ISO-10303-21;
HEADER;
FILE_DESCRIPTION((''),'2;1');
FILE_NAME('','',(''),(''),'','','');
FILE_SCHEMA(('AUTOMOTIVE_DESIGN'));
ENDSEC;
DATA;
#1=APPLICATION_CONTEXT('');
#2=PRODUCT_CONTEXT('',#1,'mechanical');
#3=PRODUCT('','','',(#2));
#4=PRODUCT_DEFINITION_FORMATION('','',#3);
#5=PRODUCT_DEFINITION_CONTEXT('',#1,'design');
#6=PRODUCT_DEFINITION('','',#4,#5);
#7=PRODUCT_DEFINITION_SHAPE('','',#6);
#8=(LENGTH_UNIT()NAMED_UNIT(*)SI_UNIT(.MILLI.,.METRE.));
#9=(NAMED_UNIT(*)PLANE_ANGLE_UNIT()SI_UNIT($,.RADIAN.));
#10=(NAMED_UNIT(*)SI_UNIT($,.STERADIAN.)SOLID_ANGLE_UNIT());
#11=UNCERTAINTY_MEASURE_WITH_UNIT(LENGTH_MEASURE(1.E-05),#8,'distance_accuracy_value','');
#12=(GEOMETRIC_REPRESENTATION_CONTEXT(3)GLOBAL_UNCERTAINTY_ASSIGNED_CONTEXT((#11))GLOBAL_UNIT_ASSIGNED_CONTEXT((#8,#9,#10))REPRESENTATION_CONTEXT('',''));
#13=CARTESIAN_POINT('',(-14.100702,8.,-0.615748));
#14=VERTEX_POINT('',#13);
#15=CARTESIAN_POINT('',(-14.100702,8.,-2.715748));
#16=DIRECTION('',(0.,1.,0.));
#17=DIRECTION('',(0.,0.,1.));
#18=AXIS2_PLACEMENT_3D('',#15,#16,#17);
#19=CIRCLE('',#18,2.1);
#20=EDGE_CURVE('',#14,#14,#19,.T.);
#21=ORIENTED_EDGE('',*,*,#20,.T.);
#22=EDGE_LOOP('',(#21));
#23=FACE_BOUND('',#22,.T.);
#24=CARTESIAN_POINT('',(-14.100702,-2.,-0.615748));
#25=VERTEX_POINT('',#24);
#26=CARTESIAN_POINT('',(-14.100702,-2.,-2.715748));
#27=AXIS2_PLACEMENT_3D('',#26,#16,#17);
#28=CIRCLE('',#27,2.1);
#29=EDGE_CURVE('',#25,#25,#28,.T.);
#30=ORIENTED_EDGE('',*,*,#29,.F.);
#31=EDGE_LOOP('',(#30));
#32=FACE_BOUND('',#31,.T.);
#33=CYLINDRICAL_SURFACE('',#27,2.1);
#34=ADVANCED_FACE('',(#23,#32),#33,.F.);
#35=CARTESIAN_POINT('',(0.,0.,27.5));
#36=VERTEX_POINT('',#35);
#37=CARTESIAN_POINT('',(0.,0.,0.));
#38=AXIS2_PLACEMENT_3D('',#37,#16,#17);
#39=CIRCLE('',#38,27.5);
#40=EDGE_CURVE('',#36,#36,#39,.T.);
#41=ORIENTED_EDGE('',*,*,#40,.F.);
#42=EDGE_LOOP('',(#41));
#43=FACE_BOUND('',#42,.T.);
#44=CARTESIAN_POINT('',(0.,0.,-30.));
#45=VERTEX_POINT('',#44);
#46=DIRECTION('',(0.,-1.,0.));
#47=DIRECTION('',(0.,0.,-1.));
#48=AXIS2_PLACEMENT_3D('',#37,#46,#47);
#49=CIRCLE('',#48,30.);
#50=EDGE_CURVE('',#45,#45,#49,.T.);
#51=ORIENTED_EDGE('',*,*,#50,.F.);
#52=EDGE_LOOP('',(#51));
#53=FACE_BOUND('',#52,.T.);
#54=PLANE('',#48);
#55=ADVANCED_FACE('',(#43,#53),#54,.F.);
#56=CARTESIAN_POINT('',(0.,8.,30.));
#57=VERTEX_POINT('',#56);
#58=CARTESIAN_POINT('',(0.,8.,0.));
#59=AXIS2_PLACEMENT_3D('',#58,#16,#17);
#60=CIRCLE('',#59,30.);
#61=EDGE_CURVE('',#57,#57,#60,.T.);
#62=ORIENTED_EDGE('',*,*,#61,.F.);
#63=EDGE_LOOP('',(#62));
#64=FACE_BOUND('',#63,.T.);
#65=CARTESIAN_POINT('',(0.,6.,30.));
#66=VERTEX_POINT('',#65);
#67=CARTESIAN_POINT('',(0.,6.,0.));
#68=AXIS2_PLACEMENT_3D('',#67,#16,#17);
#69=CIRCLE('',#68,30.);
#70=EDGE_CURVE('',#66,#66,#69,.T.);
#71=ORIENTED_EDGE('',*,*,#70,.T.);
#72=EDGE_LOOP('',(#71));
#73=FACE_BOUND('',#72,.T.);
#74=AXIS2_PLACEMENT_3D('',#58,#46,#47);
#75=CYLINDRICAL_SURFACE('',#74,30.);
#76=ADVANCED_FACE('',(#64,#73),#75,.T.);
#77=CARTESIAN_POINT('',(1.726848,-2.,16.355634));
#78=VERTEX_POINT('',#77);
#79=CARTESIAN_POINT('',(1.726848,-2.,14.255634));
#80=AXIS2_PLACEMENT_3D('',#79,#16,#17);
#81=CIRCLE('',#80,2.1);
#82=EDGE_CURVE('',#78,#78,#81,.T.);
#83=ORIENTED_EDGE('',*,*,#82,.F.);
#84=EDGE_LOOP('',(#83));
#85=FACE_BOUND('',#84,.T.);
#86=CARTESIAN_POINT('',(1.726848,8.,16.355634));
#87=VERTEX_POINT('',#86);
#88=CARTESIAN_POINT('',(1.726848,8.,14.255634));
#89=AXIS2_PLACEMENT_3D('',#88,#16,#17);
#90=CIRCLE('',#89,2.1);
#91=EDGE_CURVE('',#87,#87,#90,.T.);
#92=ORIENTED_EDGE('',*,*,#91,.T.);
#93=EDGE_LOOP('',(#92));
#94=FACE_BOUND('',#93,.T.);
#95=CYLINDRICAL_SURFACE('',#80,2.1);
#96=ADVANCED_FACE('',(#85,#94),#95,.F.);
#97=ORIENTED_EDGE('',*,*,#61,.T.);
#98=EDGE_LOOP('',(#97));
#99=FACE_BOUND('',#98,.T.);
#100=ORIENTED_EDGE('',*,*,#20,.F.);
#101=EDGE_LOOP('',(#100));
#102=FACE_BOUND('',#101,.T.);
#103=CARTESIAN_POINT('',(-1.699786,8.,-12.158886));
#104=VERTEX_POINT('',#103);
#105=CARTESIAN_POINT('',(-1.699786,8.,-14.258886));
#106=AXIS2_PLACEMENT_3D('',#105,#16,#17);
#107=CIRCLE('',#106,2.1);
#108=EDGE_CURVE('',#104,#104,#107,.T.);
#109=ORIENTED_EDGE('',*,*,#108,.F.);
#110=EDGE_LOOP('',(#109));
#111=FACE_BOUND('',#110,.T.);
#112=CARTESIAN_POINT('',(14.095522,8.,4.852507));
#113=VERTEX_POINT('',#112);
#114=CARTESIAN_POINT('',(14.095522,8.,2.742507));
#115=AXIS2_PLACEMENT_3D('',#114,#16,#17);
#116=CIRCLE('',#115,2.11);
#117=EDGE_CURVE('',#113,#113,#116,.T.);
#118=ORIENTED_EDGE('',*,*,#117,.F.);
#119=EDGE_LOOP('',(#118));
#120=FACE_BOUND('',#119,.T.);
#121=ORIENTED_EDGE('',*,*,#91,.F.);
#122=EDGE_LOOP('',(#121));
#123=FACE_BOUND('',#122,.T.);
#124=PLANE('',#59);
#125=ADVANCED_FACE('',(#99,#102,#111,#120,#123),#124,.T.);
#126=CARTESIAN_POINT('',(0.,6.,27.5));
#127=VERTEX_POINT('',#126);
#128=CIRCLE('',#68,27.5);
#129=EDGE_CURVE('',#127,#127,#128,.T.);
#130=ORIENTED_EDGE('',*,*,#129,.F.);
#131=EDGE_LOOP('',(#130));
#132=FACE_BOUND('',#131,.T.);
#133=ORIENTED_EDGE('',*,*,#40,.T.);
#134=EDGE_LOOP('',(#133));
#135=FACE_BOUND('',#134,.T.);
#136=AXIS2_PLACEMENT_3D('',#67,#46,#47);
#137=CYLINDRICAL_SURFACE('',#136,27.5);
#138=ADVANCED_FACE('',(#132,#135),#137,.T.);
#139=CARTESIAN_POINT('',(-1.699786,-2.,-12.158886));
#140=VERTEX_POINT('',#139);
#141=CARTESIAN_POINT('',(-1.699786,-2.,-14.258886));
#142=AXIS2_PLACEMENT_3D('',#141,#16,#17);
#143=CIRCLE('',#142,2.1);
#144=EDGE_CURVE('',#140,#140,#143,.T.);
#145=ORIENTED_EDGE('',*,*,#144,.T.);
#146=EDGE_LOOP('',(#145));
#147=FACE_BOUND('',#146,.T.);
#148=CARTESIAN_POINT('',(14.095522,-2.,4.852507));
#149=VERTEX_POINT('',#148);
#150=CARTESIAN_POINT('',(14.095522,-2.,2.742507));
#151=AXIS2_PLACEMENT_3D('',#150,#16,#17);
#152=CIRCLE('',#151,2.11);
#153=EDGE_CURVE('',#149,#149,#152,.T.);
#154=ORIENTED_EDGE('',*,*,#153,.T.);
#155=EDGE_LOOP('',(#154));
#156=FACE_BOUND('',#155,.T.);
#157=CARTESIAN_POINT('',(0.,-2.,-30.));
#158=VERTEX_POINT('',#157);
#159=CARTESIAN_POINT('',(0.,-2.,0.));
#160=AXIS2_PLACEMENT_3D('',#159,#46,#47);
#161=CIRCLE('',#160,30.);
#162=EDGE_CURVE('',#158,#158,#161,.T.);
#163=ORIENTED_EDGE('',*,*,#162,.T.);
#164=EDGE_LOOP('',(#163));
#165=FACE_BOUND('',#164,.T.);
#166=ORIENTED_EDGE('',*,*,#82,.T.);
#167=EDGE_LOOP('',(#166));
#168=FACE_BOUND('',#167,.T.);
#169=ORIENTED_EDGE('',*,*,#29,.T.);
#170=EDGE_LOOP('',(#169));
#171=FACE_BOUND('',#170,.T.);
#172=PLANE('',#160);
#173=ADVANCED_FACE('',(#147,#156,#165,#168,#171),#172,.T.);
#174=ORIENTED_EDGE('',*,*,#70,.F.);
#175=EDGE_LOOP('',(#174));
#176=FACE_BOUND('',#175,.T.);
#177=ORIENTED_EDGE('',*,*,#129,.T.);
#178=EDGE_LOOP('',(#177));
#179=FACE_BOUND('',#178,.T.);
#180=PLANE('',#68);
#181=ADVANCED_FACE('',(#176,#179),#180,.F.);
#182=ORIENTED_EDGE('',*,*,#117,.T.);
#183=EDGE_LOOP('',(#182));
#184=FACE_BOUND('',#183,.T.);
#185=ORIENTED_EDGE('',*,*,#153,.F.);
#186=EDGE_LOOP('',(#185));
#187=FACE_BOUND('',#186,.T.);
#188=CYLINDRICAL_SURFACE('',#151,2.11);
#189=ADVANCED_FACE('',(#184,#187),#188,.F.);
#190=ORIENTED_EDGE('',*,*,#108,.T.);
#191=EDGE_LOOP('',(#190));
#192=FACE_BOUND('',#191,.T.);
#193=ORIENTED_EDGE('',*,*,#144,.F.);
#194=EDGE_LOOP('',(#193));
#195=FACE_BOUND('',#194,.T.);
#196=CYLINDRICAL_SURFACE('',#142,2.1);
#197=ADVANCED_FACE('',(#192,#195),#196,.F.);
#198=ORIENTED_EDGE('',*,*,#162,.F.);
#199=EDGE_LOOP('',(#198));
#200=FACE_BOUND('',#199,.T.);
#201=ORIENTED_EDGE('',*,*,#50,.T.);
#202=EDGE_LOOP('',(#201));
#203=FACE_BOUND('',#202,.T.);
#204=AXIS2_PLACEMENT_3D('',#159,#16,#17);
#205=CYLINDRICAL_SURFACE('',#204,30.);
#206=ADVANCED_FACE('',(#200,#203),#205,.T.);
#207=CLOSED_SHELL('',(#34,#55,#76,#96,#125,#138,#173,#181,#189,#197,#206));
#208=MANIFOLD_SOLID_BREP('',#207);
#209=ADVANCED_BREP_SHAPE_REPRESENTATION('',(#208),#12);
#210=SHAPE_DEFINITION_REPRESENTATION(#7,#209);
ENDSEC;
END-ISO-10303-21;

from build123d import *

# Parameters (mm, degrees)
SKETCH_1_R               = 27.5
EXTRUDE_5_DEPTH          = 6
SKETCH_8_R               = 30
EXTRUDE_6_DEPTH          = 2
EXTRUDE_START            = 2
SKETCH_9_R               = 30
EXTRUDE_7_DEPTH          = 2
CUT_EXTRUDE_1_DEPTH      = 44.588989435
CUT_EXTRUDE_1_DEPTH_BACK = 44.588989435
SKETCH_12_R              = 2.11
SKETCH_12_R_2            = 2.1


with BuildPart() as part:
    # Эскиз1 → Бобышка-Вытянуть5 (new body)
    with BuildSketch(Plane(origin=(0, 0, 0), x_dir=(1, 0, 0), z_dir=(0, 1, 0))):
        with Locations(Location((0, 0, 0), (0, 0, 270))):
            Circle(SKETCH_1_R)
    extrude(amount=EXTRUDE_5_DEPTH)

    # Эскиз8 → Бобышка-Вытянуть6 (add)
    with BuildSketch(Plane(origin=(0, 6, 0), x_dir=(1, 0, 0), z_dir=(0, 1, 0))):
        with Locations(Location((0, 0, 0), (0, 0, 270))):
            Circle(SKETCH_8_R)
    extrude(amount=EXTRUDE_6_DEPTH)

    # Эскиз9 → Бобышка-Вытянуть7 (add)
    with BuildSketch(Plane.XZ.offset(EXTRUDE_START)):
        with Locations(Location((0, 0, 0), (0, 0, 90))):
            Circle(SKETCH_9_R)
    extrude(amount=-EXTRUDE_7_DEPTH)

    # Эскиз12 → Вырез-Вытянуть1 (cut, two sides: drawn at the far end of the back side and taken through both)
    with BuildSketch(Plane(origin=(0, 8, 0), x_dir=(1, 0, 0), z_dir=(0, 1, 0)).offset(-CUT_EXTRUDE_1_DEPTH_BACK)):
        with Locations(Location((14.095522252, -2.742507282, 0), (0, 0, 270))):
            Circle(SKETCH_12_R)
        with Locations(Location((1.726848044, -14.255633609, 0), (0, 0, 270))):
            Circle(SKETCH_12_R_2)
        with Locations(Location((-14.100702431, 2.71574754, 0), (0, 0, 270))):
            Circle(SKETCH_12_R_2)
        with Locations(Location((-1.699786223, 14.25888567, 0), (0, 0, 270))):
            Circle(SKETCH_12_R_2)
    extrude(amount=CUT_EXTRUDE_1_DEPTH + CUT_EXTRUDE_1_DEPTH_BACK, mode=Mode.SUBTRACT)


solid = part.part
